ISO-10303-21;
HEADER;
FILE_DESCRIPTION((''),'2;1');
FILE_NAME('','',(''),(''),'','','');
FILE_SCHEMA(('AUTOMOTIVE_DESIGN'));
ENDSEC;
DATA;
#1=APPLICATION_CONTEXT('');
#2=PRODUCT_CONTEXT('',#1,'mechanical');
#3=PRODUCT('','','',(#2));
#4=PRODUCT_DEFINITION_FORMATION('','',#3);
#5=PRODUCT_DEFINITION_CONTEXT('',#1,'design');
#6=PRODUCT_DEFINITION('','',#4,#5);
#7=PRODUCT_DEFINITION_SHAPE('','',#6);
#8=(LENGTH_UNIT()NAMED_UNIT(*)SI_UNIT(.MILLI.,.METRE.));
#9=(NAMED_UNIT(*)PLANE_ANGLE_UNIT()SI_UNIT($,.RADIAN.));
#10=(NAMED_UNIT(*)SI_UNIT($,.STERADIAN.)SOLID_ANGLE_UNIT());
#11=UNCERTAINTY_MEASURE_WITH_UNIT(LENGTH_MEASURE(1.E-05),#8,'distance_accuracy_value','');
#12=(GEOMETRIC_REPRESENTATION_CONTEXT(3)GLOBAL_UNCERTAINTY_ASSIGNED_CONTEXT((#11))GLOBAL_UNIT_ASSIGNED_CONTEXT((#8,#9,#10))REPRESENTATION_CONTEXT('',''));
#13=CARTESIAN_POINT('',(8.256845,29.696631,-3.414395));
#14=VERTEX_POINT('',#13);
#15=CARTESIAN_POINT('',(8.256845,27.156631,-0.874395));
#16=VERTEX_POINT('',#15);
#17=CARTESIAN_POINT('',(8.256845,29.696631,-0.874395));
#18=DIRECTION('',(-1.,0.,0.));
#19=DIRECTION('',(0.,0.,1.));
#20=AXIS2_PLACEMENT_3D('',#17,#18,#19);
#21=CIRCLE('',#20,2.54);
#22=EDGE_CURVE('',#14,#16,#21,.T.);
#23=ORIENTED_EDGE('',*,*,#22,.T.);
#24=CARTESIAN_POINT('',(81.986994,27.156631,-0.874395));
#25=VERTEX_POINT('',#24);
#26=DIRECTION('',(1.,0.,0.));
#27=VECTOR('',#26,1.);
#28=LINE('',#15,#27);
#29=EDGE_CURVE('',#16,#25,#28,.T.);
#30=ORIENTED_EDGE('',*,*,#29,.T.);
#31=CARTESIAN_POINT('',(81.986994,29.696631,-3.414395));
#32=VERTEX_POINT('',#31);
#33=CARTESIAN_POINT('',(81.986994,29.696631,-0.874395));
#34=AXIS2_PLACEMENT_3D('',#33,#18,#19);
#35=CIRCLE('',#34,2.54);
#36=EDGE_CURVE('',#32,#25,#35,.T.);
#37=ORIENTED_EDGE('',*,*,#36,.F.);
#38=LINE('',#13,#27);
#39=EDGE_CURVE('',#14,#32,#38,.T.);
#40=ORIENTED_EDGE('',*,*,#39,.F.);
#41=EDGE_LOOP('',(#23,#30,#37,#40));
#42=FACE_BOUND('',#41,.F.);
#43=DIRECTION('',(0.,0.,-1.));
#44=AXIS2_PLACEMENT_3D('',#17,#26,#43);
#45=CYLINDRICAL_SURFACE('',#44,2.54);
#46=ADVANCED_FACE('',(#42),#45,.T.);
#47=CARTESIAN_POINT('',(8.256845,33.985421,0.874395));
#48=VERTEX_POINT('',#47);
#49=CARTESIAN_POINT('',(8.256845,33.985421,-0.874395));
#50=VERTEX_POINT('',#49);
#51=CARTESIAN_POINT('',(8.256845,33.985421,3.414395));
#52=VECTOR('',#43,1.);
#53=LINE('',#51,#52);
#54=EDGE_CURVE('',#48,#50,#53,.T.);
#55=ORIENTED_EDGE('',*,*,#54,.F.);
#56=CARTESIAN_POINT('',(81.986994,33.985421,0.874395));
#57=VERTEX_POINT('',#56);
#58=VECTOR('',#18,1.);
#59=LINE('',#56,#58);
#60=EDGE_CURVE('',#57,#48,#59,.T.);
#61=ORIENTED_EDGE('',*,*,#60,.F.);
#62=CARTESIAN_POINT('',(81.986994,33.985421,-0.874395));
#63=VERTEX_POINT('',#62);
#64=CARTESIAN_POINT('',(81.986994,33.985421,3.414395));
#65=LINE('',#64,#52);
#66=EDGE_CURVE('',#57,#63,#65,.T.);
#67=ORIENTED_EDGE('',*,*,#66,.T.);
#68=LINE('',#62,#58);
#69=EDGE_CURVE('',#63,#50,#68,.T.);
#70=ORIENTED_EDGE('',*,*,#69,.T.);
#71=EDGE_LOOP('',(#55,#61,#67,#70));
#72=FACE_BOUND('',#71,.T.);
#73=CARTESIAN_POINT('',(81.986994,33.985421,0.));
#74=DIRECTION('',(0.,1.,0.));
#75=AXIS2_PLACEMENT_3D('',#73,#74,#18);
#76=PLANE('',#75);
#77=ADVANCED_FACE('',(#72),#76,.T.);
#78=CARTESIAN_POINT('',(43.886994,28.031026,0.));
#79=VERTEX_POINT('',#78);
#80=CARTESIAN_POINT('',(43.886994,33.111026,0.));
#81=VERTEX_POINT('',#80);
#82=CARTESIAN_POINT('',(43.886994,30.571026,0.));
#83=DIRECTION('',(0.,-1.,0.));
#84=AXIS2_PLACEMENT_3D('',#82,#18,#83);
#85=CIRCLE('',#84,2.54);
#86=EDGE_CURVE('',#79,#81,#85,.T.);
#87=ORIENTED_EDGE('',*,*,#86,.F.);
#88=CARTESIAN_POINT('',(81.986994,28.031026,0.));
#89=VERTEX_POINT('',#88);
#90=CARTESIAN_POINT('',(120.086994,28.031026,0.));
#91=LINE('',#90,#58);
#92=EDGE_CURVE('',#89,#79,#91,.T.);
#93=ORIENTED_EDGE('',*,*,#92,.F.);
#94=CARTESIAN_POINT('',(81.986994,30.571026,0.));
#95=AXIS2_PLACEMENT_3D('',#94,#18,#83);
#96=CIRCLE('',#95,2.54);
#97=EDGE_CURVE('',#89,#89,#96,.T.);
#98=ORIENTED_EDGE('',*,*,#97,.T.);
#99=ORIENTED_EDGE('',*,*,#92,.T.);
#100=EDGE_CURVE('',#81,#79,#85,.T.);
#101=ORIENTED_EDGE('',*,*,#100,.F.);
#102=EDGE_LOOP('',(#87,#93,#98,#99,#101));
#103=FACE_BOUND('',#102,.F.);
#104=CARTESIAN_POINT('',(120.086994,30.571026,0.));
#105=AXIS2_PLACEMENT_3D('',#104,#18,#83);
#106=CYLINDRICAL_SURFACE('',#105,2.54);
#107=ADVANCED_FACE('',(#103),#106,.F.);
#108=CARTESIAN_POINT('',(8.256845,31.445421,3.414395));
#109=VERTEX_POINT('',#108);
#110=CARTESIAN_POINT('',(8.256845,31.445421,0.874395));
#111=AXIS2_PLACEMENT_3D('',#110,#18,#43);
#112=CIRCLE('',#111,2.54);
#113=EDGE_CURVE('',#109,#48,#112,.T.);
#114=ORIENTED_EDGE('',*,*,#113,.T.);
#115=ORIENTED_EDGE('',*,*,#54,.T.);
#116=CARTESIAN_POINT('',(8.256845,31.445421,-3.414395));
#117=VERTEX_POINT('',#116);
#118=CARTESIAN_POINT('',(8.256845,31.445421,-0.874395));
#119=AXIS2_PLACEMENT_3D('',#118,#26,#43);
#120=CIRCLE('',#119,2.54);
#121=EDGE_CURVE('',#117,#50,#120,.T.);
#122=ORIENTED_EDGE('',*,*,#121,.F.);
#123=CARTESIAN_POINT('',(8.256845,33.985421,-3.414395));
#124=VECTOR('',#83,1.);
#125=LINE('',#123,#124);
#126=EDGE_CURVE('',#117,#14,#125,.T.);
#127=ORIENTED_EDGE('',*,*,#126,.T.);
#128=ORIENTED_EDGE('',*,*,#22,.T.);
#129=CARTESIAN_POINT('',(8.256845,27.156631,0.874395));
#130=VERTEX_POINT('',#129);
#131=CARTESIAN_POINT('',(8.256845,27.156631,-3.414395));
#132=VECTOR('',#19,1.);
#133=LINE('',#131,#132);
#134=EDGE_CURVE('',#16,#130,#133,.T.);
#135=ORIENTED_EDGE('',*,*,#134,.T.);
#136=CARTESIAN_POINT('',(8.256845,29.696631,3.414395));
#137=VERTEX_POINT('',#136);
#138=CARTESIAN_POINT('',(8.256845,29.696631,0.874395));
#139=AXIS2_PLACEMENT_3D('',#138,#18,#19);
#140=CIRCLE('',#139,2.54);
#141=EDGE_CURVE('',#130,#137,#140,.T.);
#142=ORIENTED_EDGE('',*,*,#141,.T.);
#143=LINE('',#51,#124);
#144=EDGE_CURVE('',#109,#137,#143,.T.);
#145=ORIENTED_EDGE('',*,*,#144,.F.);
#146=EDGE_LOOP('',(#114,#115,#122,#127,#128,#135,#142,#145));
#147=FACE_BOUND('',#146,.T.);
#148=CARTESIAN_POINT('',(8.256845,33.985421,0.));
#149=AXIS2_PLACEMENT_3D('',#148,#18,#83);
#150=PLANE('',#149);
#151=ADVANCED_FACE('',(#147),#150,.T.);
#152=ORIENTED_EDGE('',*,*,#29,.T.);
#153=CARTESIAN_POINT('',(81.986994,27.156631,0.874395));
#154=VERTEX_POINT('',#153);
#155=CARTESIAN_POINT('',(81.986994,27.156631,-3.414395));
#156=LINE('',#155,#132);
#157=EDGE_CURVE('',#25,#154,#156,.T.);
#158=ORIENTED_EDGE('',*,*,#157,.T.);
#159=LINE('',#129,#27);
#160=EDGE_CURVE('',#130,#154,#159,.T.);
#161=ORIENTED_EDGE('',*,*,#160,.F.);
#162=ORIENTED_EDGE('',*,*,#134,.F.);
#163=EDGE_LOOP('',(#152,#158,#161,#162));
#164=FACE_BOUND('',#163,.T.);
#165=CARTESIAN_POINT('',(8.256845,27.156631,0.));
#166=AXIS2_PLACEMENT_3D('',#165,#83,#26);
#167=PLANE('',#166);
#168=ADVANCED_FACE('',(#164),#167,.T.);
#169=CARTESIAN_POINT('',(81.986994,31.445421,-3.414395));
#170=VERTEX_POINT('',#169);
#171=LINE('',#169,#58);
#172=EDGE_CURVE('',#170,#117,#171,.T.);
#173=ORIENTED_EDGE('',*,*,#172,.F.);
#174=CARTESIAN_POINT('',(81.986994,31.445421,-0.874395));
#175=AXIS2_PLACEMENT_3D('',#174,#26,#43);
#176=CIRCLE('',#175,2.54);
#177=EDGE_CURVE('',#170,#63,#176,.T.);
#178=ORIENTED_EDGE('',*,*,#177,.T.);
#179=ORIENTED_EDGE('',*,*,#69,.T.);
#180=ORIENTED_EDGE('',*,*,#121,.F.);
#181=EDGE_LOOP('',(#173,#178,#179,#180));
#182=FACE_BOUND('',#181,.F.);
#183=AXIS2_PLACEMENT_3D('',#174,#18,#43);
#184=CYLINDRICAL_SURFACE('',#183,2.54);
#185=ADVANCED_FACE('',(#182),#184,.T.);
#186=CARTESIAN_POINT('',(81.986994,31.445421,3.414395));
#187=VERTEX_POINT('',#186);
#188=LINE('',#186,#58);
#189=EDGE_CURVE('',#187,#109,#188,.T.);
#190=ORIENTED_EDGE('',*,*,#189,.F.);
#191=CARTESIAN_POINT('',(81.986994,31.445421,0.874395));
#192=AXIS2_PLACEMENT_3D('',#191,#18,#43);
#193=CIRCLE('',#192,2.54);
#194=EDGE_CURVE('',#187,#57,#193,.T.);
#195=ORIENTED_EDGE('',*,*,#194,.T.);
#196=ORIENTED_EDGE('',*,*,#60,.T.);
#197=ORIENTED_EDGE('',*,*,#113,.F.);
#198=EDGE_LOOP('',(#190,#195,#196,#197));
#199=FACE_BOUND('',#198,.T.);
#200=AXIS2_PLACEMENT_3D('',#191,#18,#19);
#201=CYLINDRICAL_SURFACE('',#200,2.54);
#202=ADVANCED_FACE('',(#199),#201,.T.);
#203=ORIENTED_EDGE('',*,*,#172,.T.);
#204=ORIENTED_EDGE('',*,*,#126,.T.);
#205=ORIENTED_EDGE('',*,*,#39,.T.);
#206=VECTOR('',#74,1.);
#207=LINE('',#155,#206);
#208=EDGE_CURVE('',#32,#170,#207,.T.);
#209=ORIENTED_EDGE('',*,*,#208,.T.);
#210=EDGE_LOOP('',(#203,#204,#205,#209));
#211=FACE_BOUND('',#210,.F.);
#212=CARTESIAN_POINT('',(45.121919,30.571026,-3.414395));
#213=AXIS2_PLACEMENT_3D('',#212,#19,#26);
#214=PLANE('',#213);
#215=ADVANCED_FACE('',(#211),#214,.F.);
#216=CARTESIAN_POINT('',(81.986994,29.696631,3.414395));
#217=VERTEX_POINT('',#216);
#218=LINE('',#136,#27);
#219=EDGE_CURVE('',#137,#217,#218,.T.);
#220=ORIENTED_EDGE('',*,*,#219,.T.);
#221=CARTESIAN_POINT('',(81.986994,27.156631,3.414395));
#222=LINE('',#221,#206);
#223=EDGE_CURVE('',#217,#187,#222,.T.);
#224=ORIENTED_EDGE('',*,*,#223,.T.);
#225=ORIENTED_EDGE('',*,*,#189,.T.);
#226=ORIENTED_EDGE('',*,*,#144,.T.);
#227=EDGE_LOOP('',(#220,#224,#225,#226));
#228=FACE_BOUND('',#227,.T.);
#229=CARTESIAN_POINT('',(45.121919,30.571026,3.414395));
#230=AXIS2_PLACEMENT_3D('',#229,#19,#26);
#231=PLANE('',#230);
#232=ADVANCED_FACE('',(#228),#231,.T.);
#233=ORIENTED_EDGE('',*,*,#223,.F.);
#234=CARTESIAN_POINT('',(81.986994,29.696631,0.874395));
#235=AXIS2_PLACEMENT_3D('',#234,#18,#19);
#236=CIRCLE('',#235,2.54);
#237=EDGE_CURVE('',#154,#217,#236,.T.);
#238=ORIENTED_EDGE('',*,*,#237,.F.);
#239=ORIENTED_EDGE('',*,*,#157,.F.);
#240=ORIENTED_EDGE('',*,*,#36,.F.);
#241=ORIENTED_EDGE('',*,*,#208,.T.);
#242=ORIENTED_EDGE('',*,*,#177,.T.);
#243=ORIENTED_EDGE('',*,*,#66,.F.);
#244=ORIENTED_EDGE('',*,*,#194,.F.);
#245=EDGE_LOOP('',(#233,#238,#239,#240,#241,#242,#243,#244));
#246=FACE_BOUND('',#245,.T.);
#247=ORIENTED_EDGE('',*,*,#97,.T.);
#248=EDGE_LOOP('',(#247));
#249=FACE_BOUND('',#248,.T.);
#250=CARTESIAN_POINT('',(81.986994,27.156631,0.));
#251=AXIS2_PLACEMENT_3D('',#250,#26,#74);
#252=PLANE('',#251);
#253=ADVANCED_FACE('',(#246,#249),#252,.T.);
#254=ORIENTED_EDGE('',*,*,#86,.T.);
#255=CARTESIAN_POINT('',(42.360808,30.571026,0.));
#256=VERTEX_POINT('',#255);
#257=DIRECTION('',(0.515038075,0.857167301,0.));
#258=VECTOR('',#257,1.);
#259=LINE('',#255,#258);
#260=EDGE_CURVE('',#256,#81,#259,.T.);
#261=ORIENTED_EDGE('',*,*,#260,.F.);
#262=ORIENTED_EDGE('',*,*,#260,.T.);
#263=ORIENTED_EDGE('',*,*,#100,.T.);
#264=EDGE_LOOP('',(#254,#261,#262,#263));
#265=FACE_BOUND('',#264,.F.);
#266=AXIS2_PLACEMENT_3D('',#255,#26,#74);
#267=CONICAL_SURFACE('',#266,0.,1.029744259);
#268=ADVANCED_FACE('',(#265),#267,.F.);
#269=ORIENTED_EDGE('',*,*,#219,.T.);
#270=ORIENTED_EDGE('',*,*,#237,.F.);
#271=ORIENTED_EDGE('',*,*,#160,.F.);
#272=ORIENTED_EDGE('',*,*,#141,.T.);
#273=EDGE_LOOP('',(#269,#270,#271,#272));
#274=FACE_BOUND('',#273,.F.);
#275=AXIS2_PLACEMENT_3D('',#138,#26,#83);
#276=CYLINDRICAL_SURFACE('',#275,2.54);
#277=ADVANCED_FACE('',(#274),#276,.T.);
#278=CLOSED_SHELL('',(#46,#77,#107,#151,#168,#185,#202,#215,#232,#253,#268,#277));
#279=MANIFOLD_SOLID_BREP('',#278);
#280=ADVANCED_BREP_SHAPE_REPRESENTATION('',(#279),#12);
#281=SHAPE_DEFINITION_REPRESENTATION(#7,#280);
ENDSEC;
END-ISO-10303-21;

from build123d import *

# Parameters (mm, degrees)
F1_DEPTH      = 3.414395
F1_DEPTH_BACK = 3.414395
F3_D          = 5.08
F3_DEPTH      = 38.1
F3_TIP        = 1.5261859723
F4_R          = 2.54


with BuildPart() as f1:
    # F0 (on Top) → F1 (new body, two sides)
    with BuildSketch(Plane.XY) as f1_sk:
        Polygon((27.5532683375, 33.9854207361), (8.2568451762, 33.9854207361), (8.2568451762, 27.1566307361), (62.6822561026, 27.1566307361), (81.9869935513, 27.1566307361), (81.9869935513, 33.9854207361), (78.0837014318, 33.9854207361), (71.3711140723, 33.9854207361), (58.8463247403, 33.9854207361), (56.5806804269, 33.9854207361), (53.2887220937, 33.9854207361), (51.0230777803, 33.9854207361), (45.4654522794, 33.9854207361), (43.199807966, 33.9854207361), (37.6421824652, 33.9854207361), (35.3765381518, 33.9854207361), (29.8189126509, 33.9854207361), align=None)
    extrude(amount=F1_DEPTH)
    extrude(f1_sk.sketch, amount=-F1_DEPTH_BACK)

    # F3
    with Locations(Plane.YZ.offset(81.9869935513)):
        with Locations((30.5710257361, 0)):
            Hole(F3_D / 2, depth=F3_DEPTH)
            with Locations((0, 0, -(F3_DEPTH + F3_TIP / 2))):  # 118° drill point
                Cone(0, F3_D / 2, F3_TIP, mode=Mode.SUBTRACT)

    # F4
    f4_edges = [f1.edges().sort_by_distance(p)[0] for p in [
        (45.121919, 33.985421, 3.414395),
        (45.121919, 27.156631, 3.414395),
        (45.121919, 33.985421, -3.414395),
        (45.121919, 27.156631, -3.414395),
    ]]
    fillet(f4_edges, radius=F4_R)


solid = f1.part
